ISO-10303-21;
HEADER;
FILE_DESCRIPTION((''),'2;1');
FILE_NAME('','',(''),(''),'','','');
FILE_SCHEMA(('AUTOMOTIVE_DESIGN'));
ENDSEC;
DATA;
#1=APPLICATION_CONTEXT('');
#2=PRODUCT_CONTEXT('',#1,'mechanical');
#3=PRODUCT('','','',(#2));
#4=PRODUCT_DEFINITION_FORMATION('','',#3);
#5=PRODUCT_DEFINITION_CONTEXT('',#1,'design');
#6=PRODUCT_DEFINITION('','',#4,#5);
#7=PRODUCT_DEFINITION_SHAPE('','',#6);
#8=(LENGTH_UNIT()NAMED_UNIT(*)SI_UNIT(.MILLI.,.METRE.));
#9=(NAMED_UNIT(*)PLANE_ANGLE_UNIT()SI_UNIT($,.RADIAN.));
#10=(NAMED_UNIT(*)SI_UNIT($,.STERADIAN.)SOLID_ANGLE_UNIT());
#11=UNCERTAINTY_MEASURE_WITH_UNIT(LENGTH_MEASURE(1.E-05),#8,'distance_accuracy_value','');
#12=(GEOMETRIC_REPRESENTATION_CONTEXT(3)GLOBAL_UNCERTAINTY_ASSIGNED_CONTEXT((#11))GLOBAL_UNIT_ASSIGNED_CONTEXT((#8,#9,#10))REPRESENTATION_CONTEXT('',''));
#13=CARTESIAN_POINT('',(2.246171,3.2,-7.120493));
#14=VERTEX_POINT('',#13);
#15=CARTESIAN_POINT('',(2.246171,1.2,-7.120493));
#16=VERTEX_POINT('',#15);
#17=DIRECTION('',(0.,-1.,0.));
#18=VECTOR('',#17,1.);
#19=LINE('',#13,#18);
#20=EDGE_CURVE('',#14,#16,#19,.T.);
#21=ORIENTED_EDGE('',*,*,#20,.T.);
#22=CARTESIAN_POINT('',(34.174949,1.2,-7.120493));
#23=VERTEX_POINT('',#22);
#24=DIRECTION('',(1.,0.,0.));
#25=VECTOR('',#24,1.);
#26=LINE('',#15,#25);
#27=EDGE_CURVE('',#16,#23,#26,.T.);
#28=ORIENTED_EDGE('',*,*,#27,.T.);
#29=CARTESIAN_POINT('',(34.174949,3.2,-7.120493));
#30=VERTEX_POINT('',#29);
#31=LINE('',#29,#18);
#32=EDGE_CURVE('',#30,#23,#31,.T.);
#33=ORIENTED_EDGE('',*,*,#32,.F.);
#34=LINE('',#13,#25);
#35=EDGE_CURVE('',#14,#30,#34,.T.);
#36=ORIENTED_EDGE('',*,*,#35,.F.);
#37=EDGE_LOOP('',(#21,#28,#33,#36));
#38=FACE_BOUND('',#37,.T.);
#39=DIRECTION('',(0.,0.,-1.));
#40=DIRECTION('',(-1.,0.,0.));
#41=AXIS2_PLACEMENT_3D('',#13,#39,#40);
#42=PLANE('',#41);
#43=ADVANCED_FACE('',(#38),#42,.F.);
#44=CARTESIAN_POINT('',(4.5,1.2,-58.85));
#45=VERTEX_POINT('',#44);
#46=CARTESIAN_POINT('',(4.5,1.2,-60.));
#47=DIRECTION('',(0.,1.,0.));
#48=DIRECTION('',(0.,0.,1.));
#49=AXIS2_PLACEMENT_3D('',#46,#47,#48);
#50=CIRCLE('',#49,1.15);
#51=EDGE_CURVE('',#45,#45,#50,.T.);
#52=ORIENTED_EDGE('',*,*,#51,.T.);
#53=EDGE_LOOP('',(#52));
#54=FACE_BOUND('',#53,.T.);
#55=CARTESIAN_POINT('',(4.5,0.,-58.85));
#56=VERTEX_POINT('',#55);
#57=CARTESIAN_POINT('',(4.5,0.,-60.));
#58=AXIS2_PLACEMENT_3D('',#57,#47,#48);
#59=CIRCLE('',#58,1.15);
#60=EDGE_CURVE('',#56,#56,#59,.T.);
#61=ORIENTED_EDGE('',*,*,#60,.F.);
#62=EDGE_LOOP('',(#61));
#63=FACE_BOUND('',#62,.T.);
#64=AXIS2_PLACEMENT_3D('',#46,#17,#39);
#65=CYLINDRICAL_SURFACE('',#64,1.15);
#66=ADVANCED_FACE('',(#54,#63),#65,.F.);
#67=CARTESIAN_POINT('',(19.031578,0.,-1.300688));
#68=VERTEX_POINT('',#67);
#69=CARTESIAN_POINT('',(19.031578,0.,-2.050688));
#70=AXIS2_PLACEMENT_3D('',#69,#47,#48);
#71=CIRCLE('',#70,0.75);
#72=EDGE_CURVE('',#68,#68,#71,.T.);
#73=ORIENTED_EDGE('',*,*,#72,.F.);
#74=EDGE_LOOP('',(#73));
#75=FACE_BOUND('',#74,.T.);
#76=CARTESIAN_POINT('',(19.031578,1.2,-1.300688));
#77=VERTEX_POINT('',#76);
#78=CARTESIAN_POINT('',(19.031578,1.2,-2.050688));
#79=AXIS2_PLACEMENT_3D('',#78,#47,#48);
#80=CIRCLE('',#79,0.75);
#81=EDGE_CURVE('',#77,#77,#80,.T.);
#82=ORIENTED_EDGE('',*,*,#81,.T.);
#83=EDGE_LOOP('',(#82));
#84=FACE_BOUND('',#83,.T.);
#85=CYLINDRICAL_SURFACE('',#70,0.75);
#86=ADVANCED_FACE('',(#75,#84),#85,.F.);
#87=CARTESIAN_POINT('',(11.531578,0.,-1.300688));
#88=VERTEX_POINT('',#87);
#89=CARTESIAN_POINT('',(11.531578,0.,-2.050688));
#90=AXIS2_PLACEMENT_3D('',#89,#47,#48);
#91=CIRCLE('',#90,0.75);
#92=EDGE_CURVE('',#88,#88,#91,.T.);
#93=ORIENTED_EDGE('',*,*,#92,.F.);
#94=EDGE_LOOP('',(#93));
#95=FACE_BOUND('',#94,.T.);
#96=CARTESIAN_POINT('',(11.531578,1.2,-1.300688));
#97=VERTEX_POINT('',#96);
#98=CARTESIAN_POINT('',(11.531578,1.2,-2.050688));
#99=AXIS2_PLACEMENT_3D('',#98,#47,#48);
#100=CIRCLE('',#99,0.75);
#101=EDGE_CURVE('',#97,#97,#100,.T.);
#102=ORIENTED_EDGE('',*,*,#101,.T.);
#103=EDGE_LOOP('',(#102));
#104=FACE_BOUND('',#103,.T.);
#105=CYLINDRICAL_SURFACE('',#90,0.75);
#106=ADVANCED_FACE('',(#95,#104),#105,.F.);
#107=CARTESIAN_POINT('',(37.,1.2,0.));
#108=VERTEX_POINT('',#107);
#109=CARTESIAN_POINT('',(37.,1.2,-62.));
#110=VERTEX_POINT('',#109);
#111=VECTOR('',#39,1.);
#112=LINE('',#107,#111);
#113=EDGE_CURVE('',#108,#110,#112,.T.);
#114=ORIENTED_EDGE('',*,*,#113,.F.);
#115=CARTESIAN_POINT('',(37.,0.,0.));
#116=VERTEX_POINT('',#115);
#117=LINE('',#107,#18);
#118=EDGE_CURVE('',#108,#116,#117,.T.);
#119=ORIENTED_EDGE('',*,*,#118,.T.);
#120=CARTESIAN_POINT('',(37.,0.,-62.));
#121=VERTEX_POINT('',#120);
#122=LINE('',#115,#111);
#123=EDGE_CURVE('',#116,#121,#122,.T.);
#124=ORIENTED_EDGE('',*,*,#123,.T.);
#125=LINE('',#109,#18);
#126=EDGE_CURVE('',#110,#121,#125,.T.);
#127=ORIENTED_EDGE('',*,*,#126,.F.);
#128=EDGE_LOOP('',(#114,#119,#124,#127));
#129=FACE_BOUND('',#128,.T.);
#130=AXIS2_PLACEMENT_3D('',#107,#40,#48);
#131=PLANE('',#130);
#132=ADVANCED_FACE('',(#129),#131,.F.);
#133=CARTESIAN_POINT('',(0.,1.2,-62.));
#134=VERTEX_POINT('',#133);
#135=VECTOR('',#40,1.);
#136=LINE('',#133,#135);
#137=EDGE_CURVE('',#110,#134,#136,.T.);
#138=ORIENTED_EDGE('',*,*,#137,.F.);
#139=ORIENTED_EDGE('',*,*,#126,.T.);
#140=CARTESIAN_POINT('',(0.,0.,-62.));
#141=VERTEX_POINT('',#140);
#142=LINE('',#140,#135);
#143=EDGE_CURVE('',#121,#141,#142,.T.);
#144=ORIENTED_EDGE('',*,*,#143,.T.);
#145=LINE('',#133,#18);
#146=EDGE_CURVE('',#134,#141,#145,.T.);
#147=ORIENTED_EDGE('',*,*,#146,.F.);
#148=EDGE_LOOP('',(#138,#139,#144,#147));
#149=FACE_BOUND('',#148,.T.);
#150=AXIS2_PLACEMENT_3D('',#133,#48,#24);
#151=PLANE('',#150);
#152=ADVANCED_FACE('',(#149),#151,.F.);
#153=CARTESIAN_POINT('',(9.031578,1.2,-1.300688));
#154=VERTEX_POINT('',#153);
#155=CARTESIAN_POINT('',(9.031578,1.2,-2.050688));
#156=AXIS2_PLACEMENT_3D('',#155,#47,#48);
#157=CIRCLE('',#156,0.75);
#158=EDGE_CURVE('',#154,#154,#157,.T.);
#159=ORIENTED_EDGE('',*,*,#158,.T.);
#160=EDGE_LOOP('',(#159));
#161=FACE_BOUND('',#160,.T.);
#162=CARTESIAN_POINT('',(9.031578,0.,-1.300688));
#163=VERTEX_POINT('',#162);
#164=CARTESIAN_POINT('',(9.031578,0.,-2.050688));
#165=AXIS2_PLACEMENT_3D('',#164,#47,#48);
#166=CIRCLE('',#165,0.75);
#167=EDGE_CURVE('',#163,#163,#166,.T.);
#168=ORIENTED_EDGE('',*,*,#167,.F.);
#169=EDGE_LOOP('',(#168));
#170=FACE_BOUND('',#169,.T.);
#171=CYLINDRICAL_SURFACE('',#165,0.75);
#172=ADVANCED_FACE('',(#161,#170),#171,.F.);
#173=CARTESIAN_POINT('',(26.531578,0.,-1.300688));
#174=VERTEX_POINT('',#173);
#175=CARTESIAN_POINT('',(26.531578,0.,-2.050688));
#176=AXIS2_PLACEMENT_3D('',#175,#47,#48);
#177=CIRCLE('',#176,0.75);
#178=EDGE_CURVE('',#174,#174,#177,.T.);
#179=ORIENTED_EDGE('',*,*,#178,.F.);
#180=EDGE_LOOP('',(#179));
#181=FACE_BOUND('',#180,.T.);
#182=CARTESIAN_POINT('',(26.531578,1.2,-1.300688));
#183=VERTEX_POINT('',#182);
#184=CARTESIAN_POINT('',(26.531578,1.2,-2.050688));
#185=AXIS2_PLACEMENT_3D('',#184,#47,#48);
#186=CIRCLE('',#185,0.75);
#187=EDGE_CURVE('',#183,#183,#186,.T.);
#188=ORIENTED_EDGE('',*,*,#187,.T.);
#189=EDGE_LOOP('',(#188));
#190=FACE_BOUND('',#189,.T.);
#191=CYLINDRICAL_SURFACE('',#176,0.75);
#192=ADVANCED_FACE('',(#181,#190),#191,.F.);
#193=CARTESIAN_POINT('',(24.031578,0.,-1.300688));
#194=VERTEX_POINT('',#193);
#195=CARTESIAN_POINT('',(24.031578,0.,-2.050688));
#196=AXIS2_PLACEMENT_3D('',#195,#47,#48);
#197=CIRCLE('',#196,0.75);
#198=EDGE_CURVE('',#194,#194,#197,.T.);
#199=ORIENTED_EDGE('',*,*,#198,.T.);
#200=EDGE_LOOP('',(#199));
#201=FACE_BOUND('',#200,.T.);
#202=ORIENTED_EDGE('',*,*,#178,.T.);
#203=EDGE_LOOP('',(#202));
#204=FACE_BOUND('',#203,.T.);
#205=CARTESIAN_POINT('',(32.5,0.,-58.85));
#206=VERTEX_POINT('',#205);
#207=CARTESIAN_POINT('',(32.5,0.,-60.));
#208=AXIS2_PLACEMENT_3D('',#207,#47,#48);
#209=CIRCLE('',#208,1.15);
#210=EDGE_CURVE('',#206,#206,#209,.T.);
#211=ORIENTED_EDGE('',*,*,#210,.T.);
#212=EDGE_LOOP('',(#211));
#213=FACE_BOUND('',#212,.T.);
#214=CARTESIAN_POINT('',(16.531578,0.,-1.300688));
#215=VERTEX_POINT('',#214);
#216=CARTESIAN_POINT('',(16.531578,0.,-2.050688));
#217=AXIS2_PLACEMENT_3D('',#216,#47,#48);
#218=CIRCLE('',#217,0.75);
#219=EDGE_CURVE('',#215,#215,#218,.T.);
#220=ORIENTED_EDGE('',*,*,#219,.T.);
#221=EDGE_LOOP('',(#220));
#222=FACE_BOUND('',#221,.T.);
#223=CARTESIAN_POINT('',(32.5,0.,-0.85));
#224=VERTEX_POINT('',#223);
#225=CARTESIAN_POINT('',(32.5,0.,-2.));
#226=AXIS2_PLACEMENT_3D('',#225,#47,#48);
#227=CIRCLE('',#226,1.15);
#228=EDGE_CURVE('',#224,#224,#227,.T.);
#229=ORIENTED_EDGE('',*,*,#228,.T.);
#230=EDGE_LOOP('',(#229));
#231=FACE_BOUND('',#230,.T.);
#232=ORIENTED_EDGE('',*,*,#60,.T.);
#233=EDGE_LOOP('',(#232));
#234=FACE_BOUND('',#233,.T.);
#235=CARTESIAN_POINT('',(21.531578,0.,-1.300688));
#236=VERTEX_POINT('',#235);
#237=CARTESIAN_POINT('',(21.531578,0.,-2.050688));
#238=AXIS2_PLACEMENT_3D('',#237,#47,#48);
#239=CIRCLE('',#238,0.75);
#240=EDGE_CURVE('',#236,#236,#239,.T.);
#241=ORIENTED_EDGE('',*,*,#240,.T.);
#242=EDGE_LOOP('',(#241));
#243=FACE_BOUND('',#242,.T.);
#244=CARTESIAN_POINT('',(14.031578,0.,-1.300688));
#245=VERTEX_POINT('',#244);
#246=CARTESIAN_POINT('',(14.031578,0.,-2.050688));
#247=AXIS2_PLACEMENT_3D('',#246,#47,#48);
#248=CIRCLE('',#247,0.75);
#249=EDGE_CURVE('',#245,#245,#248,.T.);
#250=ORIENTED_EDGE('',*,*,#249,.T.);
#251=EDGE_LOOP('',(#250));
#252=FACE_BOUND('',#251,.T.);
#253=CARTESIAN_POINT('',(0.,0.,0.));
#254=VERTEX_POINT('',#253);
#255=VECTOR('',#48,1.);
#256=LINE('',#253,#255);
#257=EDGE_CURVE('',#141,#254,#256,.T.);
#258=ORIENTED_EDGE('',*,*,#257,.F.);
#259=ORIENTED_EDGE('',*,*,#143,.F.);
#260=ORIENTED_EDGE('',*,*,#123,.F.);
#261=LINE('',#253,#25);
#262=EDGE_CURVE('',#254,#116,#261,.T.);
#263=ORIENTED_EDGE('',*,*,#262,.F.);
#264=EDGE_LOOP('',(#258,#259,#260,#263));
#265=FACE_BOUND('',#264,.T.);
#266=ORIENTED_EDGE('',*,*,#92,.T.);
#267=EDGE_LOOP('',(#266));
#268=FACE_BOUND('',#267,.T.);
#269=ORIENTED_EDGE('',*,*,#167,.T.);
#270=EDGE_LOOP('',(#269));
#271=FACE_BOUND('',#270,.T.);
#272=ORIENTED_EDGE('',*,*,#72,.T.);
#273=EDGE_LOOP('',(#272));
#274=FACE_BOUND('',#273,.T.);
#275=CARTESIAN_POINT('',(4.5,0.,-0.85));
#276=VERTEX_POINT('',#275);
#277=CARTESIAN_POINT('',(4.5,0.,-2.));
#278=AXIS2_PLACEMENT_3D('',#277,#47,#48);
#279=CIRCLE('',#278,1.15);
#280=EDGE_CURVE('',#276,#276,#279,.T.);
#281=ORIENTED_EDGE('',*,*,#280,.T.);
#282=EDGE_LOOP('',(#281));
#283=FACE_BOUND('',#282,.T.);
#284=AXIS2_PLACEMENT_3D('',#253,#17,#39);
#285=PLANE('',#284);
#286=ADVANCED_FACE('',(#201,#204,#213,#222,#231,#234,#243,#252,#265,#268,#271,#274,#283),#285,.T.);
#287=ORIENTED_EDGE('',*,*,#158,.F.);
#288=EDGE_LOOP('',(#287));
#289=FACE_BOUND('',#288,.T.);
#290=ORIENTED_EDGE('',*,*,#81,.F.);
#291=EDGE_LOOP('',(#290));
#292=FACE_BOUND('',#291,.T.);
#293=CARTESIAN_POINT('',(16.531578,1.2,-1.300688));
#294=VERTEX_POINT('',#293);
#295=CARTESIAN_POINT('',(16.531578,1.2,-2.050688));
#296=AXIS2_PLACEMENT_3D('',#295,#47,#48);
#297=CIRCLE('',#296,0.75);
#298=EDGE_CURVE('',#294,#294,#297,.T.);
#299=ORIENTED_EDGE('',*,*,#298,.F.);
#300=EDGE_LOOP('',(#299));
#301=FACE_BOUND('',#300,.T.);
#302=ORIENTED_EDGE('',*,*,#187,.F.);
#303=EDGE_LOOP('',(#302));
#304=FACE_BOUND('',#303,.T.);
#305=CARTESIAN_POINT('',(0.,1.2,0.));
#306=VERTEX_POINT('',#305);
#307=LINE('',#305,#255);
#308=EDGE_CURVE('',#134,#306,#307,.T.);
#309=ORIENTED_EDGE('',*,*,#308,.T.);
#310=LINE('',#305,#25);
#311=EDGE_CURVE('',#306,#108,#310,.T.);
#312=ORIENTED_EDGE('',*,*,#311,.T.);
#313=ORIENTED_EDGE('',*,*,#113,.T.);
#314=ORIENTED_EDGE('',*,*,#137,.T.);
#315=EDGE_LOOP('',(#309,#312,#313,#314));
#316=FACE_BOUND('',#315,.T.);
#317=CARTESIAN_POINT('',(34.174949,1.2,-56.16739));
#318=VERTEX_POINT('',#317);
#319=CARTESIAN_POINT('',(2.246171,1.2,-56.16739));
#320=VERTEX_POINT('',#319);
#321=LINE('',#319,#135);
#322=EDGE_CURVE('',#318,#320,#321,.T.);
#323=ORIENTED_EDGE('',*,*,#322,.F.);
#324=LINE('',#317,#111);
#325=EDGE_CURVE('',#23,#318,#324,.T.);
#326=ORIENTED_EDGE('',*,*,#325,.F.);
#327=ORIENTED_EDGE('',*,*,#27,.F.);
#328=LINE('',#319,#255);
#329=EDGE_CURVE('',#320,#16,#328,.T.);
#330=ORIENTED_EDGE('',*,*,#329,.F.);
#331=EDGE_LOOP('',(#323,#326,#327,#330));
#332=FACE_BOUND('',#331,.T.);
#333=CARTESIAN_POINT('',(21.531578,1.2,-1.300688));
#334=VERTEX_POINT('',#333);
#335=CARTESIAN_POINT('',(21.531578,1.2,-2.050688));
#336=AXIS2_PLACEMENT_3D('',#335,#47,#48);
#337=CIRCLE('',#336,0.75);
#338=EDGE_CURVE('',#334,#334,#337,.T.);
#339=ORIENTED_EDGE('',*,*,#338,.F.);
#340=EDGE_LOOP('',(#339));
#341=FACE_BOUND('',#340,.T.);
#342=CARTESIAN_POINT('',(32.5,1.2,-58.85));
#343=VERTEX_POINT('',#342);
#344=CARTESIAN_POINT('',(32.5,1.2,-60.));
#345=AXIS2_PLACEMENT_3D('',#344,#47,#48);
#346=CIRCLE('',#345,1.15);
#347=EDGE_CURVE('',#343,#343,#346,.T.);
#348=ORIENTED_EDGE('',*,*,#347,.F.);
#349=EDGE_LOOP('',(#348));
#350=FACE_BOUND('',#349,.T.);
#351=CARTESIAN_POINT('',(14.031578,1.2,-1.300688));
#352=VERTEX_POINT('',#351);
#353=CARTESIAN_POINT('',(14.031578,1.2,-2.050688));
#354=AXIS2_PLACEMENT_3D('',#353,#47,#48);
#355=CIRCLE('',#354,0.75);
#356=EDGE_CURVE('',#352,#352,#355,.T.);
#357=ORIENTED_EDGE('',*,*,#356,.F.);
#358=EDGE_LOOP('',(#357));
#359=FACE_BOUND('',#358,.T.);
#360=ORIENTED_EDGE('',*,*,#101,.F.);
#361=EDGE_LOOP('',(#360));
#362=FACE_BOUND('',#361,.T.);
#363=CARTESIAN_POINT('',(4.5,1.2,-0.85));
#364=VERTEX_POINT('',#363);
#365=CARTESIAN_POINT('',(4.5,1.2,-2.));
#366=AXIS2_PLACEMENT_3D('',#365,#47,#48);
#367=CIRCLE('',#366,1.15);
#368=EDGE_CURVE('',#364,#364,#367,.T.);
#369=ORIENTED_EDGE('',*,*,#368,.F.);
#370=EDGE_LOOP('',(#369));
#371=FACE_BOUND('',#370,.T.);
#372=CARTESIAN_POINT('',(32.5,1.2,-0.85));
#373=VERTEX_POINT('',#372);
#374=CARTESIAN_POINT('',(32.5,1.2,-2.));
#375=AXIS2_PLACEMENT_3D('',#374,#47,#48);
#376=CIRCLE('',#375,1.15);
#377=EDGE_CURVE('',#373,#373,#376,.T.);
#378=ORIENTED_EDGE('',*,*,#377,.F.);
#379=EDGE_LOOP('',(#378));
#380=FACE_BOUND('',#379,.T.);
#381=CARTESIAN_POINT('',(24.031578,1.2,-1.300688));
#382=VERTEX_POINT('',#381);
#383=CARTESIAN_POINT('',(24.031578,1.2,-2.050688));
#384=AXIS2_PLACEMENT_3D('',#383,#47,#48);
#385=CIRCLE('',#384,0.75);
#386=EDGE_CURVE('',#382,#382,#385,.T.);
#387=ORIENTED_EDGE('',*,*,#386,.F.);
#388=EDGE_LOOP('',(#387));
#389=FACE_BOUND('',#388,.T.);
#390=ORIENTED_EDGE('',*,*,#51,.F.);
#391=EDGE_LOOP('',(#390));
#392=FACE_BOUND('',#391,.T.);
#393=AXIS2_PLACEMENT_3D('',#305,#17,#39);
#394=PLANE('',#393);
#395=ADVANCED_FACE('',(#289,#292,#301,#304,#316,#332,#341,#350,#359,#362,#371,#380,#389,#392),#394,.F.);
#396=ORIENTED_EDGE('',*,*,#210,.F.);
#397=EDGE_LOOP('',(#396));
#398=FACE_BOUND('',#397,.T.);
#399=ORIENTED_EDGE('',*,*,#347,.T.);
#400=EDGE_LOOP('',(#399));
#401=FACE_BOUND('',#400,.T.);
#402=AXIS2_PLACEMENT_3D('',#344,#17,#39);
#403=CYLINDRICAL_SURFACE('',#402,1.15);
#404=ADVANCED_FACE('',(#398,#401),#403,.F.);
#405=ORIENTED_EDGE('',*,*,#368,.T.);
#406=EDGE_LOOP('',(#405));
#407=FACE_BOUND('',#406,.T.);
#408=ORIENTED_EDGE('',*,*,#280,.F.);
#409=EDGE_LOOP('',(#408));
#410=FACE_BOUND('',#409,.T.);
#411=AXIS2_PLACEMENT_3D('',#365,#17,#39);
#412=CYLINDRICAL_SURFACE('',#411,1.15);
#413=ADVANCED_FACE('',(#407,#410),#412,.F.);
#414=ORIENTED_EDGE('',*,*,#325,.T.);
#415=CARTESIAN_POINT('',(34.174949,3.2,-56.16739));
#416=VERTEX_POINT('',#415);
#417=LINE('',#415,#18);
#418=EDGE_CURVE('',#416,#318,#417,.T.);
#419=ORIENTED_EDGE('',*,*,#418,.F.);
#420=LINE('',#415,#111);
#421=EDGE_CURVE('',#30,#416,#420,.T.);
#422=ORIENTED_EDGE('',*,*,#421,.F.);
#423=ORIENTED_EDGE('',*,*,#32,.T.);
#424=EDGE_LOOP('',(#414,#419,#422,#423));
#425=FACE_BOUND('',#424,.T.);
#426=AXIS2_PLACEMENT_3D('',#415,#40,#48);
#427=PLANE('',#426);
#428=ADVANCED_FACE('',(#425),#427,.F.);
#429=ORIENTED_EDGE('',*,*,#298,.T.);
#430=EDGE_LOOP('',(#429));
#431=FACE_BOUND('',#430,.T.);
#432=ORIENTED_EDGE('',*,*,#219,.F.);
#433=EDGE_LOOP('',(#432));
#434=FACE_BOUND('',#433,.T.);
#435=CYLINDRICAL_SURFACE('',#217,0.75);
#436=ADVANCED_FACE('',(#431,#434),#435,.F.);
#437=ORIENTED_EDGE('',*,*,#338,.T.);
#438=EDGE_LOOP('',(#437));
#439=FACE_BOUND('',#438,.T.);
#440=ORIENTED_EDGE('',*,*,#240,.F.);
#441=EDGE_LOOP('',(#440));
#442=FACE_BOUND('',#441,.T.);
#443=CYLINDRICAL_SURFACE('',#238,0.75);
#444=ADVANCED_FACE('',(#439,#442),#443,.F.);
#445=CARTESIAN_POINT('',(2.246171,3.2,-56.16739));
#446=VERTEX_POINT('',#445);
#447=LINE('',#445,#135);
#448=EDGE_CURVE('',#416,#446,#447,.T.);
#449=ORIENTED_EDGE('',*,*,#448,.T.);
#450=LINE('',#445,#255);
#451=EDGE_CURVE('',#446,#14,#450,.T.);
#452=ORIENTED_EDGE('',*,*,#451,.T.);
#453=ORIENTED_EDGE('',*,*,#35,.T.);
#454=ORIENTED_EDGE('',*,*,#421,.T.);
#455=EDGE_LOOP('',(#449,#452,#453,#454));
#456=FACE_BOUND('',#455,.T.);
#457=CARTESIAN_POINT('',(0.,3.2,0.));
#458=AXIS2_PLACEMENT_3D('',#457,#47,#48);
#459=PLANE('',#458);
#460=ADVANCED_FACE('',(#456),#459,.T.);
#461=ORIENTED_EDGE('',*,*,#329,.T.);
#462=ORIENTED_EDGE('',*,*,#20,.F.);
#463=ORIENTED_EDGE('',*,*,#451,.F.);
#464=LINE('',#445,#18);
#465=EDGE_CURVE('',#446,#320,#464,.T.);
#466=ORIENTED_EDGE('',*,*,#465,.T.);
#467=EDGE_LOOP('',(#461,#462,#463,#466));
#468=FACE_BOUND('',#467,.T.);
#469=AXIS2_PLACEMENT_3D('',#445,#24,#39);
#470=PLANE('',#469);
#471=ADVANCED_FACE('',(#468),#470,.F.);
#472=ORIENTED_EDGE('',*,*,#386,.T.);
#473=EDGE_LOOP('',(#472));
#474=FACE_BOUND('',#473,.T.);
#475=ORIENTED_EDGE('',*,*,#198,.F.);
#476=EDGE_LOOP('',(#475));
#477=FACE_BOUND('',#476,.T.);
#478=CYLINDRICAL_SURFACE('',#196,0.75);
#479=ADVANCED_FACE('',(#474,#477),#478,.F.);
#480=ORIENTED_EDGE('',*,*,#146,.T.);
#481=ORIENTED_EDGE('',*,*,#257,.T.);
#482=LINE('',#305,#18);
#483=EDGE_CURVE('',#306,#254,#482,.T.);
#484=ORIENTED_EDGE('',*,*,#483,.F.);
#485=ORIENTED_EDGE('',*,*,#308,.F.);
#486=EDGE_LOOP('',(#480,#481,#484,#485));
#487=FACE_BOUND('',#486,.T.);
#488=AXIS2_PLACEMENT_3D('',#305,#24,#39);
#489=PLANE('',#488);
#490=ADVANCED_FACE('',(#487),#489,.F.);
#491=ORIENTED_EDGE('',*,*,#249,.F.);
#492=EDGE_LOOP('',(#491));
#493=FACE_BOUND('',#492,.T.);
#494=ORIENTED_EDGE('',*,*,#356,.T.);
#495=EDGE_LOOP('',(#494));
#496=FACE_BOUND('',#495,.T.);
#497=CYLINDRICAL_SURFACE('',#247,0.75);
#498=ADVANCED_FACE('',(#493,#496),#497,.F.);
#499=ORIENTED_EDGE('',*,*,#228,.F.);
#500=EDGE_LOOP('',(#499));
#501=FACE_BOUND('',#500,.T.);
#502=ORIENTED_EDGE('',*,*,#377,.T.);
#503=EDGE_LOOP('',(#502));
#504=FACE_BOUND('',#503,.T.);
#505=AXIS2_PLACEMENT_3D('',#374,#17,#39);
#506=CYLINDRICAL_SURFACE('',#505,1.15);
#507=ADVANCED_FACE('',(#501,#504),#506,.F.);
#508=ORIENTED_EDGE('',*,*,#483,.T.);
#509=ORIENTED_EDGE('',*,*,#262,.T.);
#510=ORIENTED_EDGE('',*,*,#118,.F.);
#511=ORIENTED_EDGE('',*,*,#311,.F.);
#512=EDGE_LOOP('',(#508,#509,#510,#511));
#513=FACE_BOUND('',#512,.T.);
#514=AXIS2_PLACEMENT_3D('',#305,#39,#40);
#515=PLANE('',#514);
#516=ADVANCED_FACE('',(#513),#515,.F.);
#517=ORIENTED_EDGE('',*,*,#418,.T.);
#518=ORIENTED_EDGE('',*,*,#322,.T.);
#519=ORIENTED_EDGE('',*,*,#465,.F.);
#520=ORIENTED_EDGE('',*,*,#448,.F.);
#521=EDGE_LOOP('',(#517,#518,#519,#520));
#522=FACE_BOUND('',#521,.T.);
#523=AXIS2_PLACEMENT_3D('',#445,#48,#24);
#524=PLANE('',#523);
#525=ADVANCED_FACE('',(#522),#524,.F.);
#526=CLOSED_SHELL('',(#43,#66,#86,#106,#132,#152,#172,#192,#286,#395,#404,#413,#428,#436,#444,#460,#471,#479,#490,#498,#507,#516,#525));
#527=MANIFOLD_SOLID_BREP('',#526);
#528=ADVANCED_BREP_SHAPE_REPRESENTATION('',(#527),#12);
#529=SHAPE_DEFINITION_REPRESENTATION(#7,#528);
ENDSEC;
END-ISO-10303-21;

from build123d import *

# Parameters (mm, degrees)
SKETCH1_W           = 37
SKETCH1_H           = 62
SKETCH1_R           = 1.15
BOSS_EXTRUDE1_DEPTH = 1.2
SKETCH2_W           = 31.928778657
SKETCH2_H           = 49.046896963
BOSS_EXTRUDE2_DEPTH = 2
SKETCH3_R           = 0.75
CUT_EXTRUDE1_DEPTH  = 73.228803119


with BuildPart() as part:
    # Sketch1 → Boss-Extrude1 (new body)
    with BuildSketch(Plane(origin=(0, 0, 0), x_dir=(1, 0, 0), z_dir=(0, 1, 0))):
        with Locations((18.5, 31)):
            Rectangle(SKETCH1_W, SKETCH1_H)
        with Locations(Location((32.5, 60, 0), (0, 0, 270))):
            Circle(SKETCH1_R, mode=Mode.SUBTRACT)
        with Locations(Location((4.5, 60, 0), (0, 0, 270))):
            Circle(SKETCH1_R, mode=Mode.SUBTRACT)
        with Locations(Location((32.5, 2, 0), (0, 0, 270))):
            Circle(SKETCH1_R, mode=Mode.SUBTRACT)
        with Locations(Location((4.5, 2, 0), (0, 0, 270))):
            Circle(SKETCH1_R, mode=Mode.SUBTRACT)
    extrude(amount=BOSS_EXTRUDE1_DEPTH)

    # Sketch2 → Boss-Extrude2 (add)
    with BuildSketch(Plane(origin=(0, 1.2, 0), x_dir=(1, 0, 0), z_dir=(0, 1, 0))):
        with Locations((18.2105599, 31.643941755)):
            Rectangle(SKETCH2_W, SKETCH2_H)
    extrude(amount=BOSS_EXTRUDE2_DEPTH)

    # Sketch3 → Cut-Extrude1 (cut, through all)
    with BuildSketch(Plane(origin=(0, 1.2, 0), x_dir=(1, 0, 0), z_dir=(0, 1, 0))):
        with Locations(Location((9.031578358, 2.050688375, 0), (0, 0, 270))):
            Circle(SKETCH3_R)
        with Locations(Location((11.531578358, 2.050688375, 0), (0, 0, 270))):
            Circle(SKETCH3_R)
        with Locations(Location((14.031578358, 2.050688375, 0), (0, 0, 270))):
            Circle(SKETCH3_R)
        with Locations(Location((16.531578358, 2.050688375, 0), (0, 0, 270))):
            Circle(SKETCH3_R)
        with Locations(Location((19.031578358, 2.050688375, 0), (0, 0, 270))):
            Circle(SKETCH3_R)
        with Locations(Location((21.531578358, 2.050688375, 0), (0, 0, 270))):
            Circle(SKETCH3_R)
        with Locations(Location((24.031578358, 2.050688375, 0), (0, 0, 270))):
            Circle(SKETCH3_R)
        with Locations(Location((26.531578358, 2.050688375, 0), (0, 0, 270))):
            Circle(SKETCH3_R)
    extrude(amount=-CUT_EXTRUDE1_DEPTH, mode=Mode.SUBTRACT)


solid = part.part
